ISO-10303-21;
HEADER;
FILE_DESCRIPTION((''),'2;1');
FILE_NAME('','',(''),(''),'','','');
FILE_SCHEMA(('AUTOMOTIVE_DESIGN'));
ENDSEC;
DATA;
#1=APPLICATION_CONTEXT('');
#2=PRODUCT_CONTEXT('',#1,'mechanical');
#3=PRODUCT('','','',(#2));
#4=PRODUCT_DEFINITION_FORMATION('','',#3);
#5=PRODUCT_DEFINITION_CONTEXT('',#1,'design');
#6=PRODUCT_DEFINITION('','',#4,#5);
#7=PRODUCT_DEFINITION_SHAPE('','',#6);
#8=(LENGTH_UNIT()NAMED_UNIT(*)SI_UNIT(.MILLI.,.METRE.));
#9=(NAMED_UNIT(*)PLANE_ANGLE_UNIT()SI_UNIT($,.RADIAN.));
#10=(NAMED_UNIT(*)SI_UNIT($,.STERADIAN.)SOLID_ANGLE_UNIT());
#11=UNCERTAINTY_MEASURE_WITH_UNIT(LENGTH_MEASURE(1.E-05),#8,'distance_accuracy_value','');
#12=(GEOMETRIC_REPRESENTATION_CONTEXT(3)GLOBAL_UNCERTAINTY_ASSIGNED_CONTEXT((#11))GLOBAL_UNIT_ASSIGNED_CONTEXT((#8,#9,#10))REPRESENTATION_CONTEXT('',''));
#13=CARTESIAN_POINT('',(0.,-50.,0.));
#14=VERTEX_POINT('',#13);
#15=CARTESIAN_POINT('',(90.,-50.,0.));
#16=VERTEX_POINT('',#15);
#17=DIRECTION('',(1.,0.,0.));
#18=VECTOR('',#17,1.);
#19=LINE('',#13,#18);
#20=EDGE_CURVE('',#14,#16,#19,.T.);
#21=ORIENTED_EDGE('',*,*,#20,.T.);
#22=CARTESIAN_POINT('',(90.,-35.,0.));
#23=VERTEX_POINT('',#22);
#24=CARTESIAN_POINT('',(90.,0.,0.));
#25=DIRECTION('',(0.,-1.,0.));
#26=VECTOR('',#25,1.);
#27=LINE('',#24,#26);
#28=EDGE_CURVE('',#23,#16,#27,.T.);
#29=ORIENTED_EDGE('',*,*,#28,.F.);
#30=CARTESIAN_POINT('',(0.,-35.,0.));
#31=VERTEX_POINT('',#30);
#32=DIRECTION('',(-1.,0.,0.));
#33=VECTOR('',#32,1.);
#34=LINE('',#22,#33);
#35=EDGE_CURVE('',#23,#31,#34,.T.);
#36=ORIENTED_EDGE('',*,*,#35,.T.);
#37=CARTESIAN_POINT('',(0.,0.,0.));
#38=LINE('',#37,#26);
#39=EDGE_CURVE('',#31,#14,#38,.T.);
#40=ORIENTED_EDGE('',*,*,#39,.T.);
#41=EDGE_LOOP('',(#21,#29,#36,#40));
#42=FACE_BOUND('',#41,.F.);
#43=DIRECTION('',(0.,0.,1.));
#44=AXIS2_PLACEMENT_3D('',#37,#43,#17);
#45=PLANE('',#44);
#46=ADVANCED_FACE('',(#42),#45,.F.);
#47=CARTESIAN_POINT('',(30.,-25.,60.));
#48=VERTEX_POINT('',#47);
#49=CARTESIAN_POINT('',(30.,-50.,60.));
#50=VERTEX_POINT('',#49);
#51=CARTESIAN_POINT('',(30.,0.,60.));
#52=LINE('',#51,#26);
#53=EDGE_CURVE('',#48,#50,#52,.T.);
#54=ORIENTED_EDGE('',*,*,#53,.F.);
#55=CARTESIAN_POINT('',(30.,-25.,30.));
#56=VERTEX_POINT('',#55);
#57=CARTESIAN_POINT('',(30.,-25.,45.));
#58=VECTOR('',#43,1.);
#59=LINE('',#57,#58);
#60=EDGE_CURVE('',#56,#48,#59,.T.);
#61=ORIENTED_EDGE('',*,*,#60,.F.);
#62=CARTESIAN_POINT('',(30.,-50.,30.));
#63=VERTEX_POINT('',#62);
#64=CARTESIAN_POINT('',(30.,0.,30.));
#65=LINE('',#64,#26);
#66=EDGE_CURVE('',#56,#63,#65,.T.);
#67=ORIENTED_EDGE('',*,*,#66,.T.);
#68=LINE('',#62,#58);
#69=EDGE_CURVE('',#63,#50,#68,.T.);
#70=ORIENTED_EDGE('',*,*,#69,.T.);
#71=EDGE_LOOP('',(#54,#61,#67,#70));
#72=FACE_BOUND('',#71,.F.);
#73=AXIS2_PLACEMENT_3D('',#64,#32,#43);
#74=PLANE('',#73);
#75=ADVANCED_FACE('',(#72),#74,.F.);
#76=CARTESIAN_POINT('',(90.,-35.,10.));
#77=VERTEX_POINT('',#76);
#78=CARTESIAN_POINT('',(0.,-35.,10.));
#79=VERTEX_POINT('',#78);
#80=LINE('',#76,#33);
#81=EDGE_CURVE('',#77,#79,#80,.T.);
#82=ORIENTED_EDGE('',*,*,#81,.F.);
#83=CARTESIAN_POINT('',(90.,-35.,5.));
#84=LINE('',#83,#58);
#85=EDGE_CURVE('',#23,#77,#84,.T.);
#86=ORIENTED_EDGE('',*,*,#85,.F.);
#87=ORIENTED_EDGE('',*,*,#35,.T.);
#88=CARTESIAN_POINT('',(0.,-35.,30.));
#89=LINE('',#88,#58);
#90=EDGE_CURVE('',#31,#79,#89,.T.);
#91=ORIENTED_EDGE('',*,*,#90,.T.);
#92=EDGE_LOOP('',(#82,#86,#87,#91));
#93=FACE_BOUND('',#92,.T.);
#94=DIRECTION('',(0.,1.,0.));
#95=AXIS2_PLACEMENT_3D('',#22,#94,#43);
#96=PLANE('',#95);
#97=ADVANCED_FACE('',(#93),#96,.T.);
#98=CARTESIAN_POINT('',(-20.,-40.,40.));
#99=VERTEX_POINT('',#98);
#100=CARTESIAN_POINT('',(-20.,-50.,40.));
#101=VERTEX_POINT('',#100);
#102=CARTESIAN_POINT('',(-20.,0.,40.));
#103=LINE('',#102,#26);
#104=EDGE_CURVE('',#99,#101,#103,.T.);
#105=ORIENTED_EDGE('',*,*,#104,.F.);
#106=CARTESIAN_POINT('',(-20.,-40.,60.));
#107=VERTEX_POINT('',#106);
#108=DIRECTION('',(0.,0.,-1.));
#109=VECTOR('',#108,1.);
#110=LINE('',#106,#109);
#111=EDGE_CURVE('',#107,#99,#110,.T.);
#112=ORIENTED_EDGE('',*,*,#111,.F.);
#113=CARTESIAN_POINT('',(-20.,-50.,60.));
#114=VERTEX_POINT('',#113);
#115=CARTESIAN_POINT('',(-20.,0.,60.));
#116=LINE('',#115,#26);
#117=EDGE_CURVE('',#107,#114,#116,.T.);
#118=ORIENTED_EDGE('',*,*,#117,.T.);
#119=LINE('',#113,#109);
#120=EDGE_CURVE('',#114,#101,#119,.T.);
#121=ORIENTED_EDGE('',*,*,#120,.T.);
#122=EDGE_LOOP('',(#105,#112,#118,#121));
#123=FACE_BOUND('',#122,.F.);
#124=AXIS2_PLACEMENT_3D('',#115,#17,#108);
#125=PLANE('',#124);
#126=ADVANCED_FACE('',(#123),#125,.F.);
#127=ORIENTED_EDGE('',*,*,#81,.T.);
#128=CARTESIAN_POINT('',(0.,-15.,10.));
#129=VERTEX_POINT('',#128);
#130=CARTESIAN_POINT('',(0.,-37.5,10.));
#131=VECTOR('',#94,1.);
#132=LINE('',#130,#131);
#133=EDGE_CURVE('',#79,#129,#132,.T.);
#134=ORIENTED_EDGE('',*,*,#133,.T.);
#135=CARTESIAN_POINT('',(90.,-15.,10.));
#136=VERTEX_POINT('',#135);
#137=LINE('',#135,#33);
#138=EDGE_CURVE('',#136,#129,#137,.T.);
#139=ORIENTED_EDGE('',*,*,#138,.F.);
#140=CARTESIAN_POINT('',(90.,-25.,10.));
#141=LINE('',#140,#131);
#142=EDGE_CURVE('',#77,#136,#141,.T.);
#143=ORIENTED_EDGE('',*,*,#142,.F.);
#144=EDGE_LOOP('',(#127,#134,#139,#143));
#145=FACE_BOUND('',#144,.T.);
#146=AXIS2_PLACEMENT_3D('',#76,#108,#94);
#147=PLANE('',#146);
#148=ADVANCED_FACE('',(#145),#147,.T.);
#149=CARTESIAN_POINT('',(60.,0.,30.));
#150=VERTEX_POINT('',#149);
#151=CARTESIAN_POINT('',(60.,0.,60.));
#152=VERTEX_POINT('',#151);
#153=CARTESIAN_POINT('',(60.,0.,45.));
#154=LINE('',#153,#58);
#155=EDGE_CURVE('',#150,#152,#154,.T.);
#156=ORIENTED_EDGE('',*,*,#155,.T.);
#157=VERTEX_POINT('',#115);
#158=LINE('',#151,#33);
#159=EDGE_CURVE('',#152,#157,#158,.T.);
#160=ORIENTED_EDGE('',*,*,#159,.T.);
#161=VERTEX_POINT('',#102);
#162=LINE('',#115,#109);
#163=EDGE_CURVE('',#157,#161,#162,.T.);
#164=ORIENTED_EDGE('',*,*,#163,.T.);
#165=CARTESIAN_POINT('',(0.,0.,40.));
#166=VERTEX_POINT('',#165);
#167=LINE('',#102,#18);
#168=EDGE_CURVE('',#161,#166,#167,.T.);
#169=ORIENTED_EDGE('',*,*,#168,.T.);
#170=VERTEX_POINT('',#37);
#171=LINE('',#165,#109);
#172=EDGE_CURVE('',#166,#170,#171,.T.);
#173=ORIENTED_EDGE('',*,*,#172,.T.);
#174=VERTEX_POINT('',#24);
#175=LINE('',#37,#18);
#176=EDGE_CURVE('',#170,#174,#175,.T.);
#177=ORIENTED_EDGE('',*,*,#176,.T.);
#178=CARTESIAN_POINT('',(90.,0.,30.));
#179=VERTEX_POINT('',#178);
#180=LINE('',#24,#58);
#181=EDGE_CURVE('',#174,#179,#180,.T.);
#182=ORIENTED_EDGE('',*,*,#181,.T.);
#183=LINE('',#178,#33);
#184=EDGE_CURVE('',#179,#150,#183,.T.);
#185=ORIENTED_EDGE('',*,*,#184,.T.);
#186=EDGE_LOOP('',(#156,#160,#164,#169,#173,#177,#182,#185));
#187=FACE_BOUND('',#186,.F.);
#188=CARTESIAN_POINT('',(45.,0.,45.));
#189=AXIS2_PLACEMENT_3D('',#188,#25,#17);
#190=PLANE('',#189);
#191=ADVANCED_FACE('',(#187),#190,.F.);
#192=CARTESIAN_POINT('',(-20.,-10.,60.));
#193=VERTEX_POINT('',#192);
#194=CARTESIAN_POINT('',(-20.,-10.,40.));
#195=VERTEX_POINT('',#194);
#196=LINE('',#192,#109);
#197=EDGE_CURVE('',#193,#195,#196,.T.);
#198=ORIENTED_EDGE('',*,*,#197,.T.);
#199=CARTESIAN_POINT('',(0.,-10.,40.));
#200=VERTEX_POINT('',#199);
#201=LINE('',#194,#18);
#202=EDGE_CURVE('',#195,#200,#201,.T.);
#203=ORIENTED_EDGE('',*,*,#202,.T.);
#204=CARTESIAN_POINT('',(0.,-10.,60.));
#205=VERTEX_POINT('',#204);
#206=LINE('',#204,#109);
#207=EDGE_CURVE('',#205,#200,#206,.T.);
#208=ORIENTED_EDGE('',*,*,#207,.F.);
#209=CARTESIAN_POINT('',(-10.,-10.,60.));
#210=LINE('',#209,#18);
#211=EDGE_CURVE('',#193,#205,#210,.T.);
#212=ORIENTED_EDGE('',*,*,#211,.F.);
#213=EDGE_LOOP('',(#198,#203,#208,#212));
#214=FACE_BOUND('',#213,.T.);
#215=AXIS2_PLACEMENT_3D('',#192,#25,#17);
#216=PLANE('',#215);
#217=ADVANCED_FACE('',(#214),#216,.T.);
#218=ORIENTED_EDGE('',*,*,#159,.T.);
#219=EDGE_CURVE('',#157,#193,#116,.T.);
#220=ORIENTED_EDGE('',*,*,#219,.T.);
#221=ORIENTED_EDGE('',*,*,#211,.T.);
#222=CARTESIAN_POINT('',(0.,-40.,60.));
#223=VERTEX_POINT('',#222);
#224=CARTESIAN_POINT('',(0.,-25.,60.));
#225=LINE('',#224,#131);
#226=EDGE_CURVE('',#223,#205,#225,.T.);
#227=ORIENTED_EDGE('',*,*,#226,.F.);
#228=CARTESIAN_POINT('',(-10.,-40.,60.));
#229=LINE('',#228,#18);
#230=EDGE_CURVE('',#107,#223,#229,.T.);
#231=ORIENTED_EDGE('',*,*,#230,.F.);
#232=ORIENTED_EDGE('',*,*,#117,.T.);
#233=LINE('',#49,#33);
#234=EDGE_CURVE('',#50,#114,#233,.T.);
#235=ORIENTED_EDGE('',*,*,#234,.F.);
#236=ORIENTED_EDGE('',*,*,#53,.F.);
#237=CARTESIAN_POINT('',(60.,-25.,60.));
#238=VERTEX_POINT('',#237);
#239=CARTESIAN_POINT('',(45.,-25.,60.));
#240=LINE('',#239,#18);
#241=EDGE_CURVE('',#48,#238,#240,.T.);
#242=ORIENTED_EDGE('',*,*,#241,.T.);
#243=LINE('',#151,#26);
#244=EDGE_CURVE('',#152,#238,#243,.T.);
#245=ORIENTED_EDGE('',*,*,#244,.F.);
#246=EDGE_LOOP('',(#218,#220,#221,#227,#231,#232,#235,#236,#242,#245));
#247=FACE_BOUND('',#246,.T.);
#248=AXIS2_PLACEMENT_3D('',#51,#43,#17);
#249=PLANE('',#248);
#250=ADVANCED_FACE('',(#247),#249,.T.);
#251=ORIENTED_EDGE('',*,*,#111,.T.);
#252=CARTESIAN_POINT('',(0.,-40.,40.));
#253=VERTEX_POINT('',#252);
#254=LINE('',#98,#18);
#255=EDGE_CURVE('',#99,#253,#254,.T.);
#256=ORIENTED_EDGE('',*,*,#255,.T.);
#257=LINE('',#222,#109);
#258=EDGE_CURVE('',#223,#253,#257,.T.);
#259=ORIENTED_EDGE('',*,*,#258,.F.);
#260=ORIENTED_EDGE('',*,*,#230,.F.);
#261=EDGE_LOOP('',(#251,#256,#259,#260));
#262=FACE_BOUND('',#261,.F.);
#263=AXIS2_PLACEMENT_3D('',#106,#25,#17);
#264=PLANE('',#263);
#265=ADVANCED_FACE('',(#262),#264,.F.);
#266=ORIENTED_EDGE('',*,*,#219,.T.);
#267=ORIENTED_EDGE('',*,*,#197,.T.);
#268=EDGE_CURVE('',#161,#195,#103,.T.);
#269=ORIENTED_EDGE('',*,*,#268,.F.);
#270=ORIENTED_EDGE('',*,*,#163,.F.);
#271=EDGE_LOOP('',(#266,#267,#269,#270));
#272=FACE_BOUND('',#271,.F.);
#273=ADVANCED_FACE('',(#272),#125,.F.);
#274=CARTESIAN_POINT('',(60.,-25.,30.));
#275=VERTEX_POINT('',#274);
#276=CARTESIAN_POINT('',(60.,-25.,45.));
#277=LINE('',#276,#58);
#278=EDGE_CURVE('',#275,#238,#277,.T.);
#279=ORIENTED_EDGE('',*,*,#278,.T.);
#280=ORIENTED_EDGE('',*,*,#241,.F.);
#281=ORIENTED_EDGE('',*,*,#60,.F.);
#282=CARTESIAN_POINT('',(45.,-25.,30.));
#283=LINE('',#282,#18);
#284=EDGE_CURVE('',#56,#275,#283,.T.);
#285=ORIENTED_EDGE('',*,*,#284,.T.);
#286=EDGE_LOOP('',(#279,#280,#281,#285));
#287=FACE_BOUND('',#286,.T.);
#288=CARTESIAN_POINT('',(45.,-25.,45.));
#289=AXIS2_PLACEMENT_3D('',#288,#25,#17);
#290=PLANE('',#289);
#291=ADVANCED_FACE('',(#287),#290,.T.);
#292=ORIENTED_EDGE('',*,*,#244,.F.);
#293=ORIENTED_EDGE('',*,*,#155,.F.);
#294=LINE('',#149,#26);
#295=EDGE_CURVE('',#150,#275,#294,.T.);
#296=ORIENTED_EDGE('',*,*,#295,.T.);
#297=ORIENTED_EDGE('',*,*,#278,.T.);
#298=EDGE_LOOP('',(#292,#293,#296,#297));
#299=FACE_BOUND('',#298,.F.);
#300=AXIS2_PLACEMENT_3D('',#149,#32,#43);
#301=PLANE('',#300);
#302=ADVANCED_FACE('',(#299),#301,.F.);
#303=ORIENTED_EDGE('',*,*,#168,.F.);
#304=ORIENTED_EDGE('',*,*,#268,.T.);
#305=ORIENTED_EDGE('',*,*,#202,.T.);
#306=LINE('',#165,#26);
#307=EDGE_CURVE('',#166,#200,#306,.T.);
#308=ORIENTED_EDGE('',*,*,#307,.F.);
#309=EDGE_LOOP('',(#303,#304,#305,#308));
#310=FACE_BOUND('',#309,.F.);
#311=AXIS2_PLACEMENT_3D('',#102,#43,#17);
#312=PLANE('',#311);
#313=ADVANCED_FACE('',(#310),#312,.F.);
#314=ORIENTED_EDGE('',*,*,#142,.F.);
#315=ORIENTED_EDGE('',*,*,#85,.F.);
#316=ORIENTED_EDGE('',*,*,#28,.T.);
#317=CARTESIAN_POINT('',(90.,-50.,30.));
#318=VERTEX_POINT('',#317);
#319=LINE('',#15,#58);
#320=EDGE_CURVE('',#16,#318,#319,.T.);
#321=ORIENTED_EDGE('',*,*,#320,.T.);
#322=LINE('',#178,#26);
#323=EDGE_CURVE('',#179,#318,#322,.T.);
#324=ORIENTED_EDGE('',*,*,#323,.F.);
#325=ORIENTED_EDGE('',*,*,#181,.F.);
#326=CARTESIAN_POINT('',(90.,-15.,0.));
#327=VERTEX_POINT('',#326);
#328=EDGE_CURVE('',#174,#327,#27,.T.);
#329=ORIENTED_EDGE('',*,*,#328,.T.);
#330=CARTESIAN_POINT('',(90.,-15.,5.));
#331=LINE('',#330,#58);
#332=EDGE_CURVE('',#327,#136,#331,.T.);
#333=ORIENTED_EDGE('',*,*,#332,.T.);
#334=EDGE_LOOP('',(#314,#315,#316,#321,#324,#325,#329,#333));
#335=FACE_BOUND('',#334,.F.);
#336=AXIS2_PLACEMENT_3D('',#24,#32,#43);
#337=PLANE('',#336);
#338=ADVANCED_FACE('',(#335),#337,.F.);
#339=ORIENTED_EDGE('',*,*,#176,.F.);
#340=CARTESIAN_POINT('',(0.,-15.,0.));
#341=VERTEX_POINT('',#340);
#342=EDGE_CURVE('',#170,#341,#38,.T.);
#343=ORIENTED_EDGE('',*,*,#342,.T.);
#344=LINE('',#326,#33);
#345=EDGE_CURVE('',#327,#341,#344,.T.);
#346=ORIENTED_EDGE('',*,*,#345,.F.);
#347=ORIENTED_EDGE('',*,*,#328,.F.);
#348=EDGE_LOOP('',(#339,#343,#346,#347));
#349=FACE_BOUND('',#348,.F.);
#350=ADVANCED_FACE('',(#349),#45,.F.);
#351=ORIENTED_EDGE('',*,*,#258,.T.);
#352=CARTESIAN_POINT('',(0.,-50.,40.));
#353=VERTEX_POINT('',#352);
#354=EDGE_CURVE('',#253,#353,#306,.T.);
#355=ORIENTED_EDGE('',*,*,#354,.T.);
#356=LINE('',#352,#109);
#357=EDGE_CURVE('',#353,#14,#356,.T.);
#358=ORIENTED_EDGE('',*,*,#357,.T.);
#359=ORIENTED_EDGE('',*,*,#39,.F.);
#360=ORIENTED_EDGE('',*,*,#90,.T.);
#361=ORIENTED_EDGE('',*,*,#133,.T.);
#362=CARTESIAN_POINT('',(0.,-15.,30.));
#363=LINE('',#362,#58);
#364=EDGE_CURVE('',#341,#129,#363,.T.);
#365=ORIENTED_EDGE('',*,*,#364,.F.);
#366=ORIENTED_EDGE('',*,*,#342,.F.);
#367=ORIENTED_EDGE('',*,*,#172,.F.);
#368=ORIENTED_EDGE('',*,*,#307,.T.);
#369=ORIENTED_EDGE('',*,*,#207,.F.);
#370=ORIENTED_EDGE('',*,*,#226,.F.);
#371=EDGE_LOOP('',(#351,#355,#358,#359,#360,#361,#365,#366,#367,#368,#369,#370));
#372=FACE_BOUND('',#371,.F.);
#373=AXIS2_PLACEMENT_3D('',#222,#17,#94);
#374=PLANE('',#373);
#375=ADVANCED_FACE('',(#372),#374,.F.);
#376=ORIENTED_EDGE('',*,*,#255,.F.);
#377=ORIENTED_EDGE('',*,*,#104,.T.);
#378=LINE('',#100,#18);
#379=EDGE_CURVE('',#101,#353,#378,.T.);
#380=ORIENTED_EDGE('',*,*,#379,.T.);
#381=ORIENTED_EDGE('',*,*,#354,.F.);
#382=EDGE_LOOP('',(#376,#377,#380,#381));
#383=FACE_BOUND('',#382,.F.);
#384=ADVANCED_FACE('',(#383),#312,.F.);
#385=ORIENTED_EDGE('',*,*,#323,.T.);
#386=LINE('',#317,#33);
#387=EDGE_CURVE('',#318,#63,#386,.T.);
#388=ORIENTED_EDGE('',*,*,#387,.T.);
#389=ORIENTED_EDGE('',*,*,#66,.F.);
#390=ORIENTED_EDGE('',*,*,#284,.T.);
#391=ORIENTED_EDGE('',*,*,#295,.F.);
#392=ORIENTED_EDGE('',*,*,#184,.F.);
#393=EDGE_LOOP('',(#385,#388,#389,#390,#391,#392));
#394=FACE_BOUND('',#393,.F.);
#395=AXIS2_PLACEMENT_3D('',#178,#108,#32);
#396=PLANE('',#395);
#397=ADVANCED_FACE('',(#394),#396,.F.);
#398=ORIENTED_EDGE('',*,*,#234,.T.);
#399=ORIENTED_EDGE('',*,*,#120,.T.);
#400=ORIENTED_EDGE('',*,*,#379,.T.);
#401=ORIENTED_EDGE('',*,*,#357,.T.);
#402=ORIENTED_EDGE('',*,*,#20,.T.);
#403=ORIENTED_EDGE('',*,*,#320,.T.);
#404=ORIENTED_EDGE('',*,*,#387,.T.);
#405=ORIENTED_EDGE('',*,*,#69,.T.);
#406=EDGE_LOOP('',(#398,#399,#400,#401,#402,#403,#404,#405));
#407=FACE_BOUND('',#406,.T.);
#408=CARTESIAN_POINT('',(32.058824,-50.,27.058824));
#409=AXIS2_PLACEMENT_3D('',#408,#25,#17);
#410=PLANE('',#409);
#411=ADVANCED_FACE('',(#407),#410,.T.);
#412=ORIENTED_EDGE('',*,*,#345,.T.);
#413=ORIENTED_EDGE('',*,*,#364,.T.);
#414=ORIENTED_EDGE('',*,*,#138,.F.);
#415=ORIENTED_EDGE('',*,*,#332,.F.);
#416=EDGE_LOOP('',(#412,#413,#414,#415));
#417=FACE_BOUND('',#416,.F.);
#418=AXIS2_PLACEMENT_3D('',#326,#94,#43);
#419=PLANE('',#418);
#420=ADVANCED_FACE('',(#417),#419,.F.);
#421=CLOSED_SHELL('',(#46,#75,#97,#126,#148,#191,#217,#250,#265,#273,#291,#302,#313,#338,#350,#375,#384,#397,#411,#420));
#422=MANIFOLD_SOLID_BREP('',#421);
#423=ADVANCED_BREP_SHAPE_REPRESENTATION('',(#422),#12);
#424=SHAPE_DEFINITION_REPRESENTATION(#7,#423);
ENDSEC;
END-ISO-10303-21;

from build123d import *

# Parameters (mm, degrees)
F1_DEPTH = 50
F0_W     = 30
F0_H     = 30
F2_DEPTH = 25
F3_W     = 20
F3_H     = 30
F4_DEPTH = 60.001
F5_W     = 20
F5_H     = 10
F6_DEPTH = 110.001


with BuildPart() as f1:
    # F0 (on Front) → F1 (new body)
    with BuildSketch(Plane.XZ):
        Polygon((0, 40), (0, 0), (90, 0), (90, 30), (60, 30), (30, 30), (30, 60), (-20, 60), (-20, 40), align=None)
    extrude(amount=F1_DEPTH)

    # F0 (on Front) → F2 (join)
    with BuildSketch(Plane.XZ):
        with Locations((45, 45)):
            Rectangle(F0_W, F0_H)
    extrude(amount=F2_DEPTH)

    # F3 (on face) → F4 (cut, through all)
    with BuildSketch(Plane.XY.offset(60)):
        with Locations((-10, -25)):
            Rectangle(F3_W, F3_H)
    extrude(amount=-F4_DEPTH, mode=Mode.SUBTRACT)

    # F5 (on face) → F6 (cut, through all)
    with BuildSketch(Plane.YZ.offset(90)):
        with Locations((-25, 5)):
            Rectangle(F5_W, F5_H)
    extrude(amount=-F6_DEPTH, mode=Mode.SUBTRACT)


solid = f1.part
